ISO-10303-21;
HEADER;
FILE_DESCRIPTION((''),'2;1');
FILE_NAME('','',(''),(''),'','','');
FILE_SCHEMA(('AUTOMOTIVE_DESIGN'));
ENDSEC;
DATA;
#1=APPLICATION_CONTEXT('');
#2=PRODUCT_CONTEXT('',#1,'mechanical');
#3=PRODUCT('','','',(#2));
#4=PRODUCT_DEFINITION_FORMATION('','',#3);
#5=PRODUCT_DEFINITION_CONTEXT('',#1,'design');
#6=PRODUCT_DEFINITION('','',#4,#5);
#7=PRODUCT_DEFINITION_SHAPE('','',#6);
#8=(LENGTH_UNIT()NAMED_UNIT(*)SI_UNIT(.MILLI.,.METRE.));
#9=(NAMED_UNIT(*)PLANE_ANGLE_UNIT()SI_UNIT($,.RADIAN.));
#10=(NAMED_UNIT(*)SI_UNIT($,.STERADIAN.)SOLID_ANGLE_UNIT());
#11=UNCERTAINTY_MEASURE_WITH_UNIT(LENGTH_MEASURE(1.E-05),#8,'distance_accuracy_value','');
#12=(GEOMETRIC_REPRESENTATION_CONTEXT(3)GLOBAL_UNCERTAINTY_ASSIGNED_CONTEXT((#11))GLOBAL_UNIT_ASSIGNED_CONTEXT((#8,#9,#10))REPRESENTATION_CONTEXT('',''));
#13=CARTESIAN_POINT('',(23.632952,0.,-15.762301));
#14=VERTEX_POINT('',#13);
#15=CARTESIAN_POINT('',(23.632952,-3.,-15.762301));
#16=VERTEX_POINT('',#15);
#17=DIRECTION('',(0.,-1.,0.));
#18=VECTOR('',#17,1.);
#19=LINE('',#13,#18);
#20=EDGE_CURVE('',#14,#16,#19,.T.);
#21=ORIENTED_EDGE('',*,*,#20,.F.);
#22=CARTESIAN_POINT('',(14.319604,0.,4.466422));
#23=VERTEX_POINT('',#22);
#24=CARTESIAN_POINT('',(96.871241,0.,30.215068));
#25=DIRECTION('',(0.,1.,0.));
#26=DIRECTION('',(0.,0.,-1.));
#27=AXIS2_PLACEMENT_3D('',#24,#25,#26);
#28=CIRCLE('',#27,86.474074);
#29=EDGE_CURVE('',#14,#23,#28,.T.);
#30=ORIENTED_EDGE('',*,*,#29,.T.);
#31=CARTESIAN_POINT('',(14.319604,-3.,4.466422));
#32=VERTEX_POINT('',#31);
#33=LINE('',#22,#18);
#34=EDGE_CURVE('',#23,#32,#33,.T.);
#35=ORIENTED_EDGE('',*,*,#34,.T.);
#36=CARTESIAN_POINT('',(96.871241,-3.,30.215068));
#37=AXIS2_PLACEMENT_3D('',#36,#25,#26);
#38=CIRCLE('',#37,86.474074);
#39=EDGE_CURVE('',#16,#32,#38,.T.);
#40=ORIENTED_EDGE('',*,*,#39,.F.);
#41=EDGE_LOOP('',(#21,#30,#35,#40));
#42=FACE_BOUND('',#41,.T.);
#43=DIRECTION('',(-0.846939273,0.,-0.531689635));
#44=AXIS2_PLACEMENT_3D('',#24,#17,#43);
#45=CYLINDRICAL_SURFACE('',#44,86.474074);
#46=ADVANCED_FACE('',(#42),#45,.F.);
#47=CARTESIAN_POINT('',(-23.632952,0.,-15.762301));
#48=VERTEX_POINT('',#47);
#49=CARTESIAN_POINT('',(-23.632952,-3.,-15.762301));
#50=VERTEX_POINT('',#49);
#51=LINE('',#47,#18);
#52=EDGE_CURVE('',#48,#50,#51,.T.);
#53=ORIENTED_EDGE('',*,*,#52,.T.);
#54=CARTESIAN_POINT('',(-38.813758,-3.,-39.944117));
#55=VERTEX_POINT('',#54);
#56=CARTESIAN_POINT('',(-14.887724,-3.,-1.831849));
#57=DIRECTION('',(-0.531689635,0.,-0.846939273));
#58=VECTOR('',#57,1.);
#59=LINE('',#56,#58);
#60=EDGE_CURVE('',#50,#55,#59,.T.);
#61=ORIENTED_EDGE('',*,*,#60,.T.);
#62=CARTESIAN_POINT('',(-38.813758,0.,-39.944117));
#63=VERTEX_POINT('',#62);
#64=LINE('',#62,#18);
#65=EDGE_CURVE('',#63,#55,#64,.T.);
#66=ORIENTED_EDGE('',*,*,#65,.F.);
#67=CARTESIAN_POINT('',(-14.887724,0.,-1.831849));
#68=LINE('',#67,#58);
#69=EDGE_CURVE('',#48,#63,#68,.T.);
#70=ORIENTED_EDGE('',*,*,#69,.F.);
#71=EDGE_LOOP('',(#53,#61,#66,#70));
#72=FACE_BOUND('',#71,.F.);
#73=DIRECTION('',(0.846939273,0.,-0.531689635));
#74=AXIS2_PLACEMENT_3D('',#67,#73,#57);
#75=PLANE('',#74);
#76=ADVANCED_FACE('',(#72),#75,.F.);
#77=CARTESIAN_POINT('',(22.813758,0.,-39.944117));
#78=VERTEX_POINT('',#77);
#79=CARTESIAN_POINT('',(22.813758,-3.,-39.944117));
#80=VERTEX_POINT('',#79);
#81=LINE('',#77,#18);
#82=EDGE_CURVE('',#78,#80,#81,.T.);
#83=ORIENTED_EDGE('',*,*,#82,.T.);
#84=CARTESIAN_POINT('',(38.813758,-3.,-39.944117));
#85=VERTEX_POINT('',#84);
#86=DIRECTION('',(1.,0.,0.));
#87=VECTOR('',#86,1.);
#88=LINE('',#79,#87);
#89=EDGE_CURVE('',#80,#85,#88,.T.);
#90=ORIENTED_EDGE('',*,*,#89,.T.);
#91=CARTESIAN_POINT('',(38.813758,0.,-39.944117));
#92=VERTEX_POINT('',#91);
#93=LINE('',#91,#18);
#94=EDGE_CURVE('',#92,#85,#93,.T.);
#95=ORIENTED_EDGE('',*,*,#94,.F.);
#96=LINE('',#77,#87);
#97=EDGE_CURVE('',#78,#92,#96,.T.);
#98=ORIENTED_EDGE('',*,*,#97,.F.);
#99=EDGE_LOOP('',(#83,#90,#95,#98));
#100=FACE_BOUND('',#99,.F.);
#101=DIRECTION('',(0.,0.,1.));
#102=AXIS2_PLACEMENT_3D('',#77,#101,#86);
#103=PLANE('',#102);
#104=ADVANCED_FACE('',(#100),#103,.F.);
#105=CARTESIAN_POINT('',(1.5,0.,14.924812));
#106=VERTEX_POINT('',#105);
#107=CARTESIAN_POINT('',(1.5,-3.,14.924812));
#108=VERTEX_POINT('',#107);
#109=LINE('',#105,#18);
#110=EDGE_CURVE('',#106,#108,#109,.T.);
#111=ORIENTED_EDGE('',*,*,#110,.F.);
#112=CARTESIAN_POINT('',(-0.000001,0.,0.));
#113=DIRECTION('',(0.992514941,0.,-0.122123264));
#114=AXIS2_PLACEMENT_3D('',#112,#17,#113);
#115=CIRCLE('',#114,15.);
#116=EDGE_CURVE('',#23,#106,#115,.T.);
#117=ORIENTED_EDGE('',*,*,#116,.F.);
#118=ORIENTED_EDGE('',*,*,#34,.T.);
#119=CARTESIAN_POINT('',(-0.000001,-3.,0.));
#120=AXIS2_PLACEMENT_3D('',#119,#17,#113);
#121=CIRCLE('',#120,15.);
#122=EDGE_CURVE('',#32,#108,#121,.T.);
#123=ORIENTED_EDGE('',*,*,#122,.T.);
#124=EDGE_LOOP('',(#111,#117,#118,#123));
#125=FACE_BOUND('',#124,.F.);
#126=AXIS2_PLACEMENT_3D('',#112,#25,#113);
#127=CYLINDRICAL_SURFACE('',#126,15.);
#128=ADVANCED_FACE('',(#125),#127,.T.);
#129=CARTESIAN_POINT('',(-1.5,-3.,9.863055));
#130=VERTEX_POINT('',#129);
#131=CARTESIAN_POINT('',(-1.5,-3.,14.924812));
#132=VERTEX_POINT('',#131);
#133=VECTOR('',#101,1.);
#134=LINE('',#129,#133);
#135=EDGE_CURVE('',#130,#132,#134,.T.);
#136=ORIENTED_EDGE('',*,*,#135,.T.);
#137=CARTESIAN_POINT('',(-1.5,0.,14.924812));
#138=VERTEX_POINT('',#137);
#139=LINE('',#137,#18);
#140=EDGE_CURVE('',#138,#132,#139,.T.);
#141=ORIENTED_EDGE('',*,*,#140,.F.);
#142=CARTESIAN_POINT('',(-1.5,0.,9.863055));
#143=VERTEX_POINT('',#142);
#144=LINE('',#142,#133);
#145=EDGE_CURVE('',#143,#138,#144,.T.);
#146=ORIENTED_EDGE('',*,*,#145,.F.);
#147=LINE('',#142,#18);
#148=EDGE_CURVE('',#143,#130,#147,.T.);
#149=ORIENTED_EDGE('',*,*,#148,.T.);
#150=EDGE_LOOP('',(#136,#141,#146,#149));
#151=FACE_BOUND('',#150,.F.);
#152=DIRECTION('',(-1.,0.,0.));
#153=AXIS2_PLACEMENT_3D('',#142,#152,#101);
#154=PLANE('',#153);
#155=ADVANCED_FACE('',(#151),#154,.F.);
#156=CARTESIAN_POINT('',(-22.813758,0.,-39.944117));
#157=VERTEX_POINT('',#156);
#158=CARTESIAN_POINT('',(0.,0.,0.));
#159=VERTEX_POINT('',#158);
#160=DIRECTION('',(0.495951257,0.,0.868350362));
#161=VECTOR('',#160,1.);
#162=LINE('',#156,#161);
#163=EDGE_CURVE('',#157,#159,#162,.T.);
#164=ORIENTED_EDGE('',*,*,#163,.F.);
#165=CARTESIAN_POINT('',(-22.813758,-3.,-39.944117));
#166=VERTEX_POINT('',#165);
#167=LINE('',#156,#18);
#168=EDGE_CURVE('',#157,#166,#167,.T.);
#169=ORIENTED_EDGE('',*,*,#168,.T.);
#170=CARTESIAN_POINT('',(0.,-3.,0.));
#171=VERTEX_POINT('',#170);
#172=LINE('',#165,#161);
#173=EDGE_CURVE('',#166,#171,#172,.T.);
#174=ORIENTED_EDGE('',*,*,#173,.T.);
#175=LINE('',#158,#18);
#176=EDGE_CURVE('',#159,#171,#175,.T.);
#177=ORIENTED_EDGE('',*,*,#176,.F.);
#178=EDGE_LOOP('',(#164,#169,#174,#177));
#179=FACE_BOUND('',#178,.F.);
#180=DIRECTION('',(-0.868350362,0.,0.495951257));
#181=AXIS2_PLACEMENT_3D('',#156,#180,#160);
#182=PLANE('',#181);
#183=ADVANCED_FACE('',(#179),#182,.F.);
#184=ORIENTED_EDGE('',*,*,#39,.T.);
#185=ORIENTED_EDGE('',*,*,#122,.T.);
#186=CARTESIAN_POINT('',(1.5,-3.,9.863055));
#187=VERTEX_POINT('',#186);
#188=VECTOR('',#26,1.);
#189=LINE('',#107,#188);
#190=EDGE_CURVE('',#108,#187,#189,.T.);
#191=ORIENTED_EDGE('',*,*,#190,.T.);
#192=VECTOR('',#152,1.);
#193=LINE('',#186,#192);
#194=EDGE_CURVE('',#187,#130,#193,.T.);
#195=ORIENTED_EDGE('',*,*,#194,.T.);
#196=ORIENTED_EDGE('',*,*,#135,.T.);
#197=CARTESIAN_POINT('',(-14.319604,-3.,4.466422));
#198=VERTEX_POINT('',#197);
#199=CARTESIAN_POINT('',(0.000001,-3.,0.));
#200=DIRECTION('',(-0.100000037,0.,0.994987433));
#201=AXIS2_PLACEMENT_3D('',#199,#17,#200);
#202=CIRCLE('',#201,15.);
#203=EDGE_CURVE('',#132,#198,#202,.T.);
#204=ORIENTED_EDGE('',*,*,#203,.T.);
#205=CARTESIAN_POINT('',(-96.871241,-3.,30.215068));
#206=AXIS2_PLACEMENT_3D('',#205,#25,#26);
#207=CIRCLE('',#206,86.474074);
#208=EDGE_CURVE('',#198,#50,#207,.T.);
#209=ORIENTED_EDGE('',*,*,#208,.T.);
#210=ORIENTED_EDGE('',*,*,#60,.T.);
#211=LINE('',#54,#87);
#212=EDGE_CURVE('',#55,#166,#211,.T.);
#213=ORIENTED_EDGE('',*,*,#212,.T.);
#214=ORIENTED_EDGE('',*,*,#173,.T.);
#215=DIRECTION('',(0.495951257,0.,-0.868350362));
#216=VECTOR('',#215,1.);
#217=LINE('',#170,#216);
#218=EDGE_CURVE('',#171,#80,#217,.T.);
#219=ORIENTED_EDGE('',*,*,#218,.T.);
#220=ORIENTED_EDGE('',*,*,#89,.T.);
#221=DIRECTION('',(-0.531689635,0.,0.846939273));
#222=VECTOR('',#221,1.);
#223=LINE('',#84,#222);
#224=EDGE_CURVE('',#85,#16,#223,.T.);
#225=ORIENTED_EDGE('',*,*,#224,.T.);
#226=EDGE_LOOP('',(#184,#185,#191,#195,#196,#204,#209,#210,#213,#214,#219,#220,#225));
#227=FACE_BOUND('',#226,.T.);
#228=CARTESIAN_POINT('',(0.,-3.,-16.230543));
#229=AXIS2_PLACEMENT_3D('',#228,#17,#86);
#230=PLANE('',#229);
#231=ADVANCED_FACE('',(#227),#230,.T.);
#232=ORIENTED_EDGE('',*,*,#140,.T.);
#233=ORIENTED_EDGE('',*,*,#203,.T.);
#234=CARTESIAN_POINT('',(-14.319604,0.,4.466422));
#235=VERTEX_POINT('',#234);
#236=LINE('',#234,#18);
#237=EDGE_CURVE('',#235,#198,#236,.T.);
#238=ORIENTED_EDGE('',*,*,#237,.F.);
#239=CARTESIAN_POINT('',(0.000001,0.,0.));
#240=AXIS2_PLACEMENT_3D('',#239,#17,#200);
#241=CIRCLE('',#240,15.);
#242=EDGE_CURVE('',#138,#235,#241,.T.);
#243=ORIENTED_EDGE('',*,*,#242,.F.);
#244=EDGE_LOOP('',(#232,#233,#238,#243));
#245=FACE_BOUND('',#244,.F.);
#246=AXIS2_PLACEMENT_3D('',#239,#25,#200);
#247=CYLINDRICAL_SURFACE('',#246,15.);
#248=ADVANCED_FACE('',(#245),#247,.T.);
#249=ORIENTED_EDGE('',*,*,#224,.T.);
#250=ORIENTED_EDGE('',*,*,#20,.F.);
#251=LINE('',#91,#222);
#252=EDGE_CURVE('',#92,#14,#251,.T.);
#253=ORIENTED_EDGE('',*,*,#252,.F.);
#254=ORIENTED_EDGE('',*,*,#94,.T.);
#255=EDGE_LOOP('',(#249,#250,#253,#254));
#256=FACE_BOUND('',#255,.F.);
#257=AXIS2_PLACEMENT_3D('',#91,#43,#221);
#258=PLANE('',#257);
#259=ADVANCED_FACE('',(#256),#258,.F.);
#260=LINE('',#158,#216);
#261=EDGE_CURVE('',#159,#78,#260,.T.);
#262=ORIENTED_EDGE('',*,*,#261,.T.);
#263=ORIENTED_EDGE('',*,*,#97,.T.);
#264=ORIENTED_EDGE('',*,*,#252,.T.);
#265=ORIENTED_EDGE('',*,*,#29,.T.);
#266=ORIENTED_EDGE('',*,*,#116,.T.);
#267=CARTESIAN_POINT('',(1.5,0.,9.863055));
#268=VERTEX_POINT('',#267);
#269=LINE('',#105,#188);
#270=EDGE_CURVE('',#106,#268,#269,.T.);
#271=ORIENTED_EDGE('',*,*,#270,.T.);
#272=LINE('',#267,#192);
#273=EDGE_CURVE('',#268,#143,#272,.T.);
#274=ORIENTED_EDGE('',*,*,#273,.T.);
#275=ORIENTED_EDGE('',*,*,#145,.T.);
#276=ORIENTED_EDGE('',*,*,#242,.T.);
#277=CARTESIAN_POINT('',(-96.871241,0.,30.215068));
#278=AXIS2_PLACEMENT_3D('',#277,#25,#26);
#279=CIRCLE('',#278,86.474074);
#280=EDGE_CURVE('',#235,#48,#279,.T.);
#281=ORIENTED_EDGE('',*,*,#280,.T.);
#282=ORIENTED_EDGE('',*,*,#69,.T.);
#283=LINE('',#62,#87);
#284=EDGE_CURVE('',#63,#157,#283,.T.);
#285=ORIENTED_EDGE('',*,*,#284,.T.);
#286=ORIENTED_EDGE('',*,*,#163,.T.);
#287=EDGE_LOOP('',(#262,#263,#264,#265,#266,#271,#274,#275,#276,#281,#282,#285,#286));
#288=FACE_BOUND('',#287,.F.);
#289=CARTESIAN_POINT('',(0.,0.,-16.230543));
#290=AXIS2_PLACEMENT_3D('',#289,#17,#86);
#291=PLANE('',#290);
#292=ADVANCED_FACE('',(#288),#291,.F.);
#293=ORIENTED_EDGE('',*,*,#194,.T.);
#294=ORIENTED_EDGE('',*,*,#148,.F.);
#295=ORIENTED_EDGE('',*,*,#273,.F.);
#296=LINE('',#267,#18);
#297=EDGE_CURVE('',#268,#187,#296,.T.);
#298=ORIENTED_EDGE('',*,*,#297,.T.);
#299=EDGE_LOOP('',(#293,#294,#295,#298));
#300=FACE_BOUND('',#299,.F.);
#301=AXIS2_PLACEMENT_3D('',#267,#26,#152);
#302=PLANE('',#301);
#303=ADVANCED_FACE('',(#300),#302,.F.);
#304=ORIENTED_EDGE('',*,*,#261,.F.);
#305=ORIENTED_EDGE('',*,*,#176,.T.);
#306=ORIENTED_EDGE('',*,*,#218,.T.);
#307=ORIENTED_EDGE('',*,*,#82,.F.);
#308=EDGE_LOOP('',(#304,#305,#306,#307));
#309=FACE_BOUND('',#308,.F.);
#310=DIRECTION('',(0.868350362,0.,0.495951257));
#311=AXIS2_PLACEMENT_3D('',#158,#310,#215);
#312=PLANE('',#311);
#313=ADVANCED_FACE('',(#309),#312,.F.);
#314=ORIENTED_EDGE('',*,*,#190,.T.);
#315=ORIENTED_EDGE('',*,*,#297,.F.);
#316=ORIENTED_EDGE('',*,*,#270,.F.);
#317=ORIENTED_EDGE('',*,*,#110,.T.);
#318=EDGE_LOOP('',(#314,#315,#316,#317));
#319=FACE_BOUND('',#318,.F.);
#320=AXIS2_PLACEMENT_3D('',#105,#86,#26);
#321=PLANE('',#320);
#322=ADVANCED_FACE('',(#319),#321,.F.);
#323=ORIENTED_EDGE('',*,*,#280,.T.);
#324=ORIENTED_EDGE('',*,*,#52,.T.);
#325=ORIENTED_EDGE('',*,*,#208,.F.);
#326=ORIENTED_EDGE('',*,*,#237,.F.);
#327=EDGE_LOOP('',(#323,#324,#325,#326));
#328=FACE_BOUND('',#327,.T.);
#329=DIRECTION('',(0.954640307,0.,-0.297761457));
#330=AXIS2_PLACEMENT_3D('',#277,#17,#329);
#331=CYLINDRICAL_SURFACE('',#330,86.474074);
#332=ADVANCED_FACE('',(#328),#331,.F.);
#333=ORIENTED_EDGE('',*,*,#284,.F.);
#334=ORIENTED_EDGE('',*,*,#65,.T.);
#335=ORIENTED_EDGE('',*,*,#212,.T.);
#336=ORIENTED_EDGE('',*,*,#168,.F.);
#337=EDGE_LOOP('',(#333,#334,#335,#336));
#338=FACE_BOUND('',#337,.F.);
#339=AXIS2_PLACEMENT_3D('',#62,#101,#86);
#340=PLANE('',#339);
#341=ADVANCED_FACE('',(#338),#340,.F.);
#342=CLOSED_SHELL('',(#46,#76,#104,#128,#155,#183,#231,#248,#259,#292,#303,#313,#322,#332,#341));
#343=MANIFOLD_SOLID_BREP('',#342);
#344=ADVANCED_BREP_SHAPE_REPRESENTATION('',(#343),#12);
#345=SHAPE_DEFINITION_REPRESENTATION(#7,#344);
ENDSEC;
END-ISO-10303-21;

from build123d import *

# Parameters (mm, degrees)
F1_DEPTH = 3
F2_R     = 86.474074


with BuildPart() as f1:
    # F0 (on Front) → F1 (new body)
    with BuildSketch(Plane.XZ):
        with BuildLine():
            Line((38.813758, -39.944117), (14.887724, -1.831849))
            ThreePointArc((14.887724, -1.831849), (11.719036, 9.362916), (1.5, 14.924812))
            Line((1.5, 14.924812), (1.5, 9.863055))
            Line((1.5, 9.863055), (-1.5, 9.863055))
            Line((-1.5, 9.863055), (-1.5, 14.924812))
            ThreePointArc((-1.5, 14.924812), (-11.719036, 9.362916), (-14.887724, -1.831849))
            Line((-14.887724, -1.831849), (-38.813758, -39.944117))
            Line((-38.813758, -39.944117), (-22.813758, -39.944117))
            Line((-22.813758, -39.944117), (0, 0))
            Line((0, 0), (22.813758, -39.944117))
            Line((22.813758, -39.944117), (38.813758, -39.944117))
        make_face()
    extrude(amount=F1_DEPTH)

    # F2
    f2_edges = [f1.edges().sort_by_distance(p)[0] for p in [
        (14.887724, -1.5, -1.831849),
        (-14.887724, -1.5, -1.831849),
    ]]
    fillet(f2_edges, radius=F2_R)


solid = f1.part
